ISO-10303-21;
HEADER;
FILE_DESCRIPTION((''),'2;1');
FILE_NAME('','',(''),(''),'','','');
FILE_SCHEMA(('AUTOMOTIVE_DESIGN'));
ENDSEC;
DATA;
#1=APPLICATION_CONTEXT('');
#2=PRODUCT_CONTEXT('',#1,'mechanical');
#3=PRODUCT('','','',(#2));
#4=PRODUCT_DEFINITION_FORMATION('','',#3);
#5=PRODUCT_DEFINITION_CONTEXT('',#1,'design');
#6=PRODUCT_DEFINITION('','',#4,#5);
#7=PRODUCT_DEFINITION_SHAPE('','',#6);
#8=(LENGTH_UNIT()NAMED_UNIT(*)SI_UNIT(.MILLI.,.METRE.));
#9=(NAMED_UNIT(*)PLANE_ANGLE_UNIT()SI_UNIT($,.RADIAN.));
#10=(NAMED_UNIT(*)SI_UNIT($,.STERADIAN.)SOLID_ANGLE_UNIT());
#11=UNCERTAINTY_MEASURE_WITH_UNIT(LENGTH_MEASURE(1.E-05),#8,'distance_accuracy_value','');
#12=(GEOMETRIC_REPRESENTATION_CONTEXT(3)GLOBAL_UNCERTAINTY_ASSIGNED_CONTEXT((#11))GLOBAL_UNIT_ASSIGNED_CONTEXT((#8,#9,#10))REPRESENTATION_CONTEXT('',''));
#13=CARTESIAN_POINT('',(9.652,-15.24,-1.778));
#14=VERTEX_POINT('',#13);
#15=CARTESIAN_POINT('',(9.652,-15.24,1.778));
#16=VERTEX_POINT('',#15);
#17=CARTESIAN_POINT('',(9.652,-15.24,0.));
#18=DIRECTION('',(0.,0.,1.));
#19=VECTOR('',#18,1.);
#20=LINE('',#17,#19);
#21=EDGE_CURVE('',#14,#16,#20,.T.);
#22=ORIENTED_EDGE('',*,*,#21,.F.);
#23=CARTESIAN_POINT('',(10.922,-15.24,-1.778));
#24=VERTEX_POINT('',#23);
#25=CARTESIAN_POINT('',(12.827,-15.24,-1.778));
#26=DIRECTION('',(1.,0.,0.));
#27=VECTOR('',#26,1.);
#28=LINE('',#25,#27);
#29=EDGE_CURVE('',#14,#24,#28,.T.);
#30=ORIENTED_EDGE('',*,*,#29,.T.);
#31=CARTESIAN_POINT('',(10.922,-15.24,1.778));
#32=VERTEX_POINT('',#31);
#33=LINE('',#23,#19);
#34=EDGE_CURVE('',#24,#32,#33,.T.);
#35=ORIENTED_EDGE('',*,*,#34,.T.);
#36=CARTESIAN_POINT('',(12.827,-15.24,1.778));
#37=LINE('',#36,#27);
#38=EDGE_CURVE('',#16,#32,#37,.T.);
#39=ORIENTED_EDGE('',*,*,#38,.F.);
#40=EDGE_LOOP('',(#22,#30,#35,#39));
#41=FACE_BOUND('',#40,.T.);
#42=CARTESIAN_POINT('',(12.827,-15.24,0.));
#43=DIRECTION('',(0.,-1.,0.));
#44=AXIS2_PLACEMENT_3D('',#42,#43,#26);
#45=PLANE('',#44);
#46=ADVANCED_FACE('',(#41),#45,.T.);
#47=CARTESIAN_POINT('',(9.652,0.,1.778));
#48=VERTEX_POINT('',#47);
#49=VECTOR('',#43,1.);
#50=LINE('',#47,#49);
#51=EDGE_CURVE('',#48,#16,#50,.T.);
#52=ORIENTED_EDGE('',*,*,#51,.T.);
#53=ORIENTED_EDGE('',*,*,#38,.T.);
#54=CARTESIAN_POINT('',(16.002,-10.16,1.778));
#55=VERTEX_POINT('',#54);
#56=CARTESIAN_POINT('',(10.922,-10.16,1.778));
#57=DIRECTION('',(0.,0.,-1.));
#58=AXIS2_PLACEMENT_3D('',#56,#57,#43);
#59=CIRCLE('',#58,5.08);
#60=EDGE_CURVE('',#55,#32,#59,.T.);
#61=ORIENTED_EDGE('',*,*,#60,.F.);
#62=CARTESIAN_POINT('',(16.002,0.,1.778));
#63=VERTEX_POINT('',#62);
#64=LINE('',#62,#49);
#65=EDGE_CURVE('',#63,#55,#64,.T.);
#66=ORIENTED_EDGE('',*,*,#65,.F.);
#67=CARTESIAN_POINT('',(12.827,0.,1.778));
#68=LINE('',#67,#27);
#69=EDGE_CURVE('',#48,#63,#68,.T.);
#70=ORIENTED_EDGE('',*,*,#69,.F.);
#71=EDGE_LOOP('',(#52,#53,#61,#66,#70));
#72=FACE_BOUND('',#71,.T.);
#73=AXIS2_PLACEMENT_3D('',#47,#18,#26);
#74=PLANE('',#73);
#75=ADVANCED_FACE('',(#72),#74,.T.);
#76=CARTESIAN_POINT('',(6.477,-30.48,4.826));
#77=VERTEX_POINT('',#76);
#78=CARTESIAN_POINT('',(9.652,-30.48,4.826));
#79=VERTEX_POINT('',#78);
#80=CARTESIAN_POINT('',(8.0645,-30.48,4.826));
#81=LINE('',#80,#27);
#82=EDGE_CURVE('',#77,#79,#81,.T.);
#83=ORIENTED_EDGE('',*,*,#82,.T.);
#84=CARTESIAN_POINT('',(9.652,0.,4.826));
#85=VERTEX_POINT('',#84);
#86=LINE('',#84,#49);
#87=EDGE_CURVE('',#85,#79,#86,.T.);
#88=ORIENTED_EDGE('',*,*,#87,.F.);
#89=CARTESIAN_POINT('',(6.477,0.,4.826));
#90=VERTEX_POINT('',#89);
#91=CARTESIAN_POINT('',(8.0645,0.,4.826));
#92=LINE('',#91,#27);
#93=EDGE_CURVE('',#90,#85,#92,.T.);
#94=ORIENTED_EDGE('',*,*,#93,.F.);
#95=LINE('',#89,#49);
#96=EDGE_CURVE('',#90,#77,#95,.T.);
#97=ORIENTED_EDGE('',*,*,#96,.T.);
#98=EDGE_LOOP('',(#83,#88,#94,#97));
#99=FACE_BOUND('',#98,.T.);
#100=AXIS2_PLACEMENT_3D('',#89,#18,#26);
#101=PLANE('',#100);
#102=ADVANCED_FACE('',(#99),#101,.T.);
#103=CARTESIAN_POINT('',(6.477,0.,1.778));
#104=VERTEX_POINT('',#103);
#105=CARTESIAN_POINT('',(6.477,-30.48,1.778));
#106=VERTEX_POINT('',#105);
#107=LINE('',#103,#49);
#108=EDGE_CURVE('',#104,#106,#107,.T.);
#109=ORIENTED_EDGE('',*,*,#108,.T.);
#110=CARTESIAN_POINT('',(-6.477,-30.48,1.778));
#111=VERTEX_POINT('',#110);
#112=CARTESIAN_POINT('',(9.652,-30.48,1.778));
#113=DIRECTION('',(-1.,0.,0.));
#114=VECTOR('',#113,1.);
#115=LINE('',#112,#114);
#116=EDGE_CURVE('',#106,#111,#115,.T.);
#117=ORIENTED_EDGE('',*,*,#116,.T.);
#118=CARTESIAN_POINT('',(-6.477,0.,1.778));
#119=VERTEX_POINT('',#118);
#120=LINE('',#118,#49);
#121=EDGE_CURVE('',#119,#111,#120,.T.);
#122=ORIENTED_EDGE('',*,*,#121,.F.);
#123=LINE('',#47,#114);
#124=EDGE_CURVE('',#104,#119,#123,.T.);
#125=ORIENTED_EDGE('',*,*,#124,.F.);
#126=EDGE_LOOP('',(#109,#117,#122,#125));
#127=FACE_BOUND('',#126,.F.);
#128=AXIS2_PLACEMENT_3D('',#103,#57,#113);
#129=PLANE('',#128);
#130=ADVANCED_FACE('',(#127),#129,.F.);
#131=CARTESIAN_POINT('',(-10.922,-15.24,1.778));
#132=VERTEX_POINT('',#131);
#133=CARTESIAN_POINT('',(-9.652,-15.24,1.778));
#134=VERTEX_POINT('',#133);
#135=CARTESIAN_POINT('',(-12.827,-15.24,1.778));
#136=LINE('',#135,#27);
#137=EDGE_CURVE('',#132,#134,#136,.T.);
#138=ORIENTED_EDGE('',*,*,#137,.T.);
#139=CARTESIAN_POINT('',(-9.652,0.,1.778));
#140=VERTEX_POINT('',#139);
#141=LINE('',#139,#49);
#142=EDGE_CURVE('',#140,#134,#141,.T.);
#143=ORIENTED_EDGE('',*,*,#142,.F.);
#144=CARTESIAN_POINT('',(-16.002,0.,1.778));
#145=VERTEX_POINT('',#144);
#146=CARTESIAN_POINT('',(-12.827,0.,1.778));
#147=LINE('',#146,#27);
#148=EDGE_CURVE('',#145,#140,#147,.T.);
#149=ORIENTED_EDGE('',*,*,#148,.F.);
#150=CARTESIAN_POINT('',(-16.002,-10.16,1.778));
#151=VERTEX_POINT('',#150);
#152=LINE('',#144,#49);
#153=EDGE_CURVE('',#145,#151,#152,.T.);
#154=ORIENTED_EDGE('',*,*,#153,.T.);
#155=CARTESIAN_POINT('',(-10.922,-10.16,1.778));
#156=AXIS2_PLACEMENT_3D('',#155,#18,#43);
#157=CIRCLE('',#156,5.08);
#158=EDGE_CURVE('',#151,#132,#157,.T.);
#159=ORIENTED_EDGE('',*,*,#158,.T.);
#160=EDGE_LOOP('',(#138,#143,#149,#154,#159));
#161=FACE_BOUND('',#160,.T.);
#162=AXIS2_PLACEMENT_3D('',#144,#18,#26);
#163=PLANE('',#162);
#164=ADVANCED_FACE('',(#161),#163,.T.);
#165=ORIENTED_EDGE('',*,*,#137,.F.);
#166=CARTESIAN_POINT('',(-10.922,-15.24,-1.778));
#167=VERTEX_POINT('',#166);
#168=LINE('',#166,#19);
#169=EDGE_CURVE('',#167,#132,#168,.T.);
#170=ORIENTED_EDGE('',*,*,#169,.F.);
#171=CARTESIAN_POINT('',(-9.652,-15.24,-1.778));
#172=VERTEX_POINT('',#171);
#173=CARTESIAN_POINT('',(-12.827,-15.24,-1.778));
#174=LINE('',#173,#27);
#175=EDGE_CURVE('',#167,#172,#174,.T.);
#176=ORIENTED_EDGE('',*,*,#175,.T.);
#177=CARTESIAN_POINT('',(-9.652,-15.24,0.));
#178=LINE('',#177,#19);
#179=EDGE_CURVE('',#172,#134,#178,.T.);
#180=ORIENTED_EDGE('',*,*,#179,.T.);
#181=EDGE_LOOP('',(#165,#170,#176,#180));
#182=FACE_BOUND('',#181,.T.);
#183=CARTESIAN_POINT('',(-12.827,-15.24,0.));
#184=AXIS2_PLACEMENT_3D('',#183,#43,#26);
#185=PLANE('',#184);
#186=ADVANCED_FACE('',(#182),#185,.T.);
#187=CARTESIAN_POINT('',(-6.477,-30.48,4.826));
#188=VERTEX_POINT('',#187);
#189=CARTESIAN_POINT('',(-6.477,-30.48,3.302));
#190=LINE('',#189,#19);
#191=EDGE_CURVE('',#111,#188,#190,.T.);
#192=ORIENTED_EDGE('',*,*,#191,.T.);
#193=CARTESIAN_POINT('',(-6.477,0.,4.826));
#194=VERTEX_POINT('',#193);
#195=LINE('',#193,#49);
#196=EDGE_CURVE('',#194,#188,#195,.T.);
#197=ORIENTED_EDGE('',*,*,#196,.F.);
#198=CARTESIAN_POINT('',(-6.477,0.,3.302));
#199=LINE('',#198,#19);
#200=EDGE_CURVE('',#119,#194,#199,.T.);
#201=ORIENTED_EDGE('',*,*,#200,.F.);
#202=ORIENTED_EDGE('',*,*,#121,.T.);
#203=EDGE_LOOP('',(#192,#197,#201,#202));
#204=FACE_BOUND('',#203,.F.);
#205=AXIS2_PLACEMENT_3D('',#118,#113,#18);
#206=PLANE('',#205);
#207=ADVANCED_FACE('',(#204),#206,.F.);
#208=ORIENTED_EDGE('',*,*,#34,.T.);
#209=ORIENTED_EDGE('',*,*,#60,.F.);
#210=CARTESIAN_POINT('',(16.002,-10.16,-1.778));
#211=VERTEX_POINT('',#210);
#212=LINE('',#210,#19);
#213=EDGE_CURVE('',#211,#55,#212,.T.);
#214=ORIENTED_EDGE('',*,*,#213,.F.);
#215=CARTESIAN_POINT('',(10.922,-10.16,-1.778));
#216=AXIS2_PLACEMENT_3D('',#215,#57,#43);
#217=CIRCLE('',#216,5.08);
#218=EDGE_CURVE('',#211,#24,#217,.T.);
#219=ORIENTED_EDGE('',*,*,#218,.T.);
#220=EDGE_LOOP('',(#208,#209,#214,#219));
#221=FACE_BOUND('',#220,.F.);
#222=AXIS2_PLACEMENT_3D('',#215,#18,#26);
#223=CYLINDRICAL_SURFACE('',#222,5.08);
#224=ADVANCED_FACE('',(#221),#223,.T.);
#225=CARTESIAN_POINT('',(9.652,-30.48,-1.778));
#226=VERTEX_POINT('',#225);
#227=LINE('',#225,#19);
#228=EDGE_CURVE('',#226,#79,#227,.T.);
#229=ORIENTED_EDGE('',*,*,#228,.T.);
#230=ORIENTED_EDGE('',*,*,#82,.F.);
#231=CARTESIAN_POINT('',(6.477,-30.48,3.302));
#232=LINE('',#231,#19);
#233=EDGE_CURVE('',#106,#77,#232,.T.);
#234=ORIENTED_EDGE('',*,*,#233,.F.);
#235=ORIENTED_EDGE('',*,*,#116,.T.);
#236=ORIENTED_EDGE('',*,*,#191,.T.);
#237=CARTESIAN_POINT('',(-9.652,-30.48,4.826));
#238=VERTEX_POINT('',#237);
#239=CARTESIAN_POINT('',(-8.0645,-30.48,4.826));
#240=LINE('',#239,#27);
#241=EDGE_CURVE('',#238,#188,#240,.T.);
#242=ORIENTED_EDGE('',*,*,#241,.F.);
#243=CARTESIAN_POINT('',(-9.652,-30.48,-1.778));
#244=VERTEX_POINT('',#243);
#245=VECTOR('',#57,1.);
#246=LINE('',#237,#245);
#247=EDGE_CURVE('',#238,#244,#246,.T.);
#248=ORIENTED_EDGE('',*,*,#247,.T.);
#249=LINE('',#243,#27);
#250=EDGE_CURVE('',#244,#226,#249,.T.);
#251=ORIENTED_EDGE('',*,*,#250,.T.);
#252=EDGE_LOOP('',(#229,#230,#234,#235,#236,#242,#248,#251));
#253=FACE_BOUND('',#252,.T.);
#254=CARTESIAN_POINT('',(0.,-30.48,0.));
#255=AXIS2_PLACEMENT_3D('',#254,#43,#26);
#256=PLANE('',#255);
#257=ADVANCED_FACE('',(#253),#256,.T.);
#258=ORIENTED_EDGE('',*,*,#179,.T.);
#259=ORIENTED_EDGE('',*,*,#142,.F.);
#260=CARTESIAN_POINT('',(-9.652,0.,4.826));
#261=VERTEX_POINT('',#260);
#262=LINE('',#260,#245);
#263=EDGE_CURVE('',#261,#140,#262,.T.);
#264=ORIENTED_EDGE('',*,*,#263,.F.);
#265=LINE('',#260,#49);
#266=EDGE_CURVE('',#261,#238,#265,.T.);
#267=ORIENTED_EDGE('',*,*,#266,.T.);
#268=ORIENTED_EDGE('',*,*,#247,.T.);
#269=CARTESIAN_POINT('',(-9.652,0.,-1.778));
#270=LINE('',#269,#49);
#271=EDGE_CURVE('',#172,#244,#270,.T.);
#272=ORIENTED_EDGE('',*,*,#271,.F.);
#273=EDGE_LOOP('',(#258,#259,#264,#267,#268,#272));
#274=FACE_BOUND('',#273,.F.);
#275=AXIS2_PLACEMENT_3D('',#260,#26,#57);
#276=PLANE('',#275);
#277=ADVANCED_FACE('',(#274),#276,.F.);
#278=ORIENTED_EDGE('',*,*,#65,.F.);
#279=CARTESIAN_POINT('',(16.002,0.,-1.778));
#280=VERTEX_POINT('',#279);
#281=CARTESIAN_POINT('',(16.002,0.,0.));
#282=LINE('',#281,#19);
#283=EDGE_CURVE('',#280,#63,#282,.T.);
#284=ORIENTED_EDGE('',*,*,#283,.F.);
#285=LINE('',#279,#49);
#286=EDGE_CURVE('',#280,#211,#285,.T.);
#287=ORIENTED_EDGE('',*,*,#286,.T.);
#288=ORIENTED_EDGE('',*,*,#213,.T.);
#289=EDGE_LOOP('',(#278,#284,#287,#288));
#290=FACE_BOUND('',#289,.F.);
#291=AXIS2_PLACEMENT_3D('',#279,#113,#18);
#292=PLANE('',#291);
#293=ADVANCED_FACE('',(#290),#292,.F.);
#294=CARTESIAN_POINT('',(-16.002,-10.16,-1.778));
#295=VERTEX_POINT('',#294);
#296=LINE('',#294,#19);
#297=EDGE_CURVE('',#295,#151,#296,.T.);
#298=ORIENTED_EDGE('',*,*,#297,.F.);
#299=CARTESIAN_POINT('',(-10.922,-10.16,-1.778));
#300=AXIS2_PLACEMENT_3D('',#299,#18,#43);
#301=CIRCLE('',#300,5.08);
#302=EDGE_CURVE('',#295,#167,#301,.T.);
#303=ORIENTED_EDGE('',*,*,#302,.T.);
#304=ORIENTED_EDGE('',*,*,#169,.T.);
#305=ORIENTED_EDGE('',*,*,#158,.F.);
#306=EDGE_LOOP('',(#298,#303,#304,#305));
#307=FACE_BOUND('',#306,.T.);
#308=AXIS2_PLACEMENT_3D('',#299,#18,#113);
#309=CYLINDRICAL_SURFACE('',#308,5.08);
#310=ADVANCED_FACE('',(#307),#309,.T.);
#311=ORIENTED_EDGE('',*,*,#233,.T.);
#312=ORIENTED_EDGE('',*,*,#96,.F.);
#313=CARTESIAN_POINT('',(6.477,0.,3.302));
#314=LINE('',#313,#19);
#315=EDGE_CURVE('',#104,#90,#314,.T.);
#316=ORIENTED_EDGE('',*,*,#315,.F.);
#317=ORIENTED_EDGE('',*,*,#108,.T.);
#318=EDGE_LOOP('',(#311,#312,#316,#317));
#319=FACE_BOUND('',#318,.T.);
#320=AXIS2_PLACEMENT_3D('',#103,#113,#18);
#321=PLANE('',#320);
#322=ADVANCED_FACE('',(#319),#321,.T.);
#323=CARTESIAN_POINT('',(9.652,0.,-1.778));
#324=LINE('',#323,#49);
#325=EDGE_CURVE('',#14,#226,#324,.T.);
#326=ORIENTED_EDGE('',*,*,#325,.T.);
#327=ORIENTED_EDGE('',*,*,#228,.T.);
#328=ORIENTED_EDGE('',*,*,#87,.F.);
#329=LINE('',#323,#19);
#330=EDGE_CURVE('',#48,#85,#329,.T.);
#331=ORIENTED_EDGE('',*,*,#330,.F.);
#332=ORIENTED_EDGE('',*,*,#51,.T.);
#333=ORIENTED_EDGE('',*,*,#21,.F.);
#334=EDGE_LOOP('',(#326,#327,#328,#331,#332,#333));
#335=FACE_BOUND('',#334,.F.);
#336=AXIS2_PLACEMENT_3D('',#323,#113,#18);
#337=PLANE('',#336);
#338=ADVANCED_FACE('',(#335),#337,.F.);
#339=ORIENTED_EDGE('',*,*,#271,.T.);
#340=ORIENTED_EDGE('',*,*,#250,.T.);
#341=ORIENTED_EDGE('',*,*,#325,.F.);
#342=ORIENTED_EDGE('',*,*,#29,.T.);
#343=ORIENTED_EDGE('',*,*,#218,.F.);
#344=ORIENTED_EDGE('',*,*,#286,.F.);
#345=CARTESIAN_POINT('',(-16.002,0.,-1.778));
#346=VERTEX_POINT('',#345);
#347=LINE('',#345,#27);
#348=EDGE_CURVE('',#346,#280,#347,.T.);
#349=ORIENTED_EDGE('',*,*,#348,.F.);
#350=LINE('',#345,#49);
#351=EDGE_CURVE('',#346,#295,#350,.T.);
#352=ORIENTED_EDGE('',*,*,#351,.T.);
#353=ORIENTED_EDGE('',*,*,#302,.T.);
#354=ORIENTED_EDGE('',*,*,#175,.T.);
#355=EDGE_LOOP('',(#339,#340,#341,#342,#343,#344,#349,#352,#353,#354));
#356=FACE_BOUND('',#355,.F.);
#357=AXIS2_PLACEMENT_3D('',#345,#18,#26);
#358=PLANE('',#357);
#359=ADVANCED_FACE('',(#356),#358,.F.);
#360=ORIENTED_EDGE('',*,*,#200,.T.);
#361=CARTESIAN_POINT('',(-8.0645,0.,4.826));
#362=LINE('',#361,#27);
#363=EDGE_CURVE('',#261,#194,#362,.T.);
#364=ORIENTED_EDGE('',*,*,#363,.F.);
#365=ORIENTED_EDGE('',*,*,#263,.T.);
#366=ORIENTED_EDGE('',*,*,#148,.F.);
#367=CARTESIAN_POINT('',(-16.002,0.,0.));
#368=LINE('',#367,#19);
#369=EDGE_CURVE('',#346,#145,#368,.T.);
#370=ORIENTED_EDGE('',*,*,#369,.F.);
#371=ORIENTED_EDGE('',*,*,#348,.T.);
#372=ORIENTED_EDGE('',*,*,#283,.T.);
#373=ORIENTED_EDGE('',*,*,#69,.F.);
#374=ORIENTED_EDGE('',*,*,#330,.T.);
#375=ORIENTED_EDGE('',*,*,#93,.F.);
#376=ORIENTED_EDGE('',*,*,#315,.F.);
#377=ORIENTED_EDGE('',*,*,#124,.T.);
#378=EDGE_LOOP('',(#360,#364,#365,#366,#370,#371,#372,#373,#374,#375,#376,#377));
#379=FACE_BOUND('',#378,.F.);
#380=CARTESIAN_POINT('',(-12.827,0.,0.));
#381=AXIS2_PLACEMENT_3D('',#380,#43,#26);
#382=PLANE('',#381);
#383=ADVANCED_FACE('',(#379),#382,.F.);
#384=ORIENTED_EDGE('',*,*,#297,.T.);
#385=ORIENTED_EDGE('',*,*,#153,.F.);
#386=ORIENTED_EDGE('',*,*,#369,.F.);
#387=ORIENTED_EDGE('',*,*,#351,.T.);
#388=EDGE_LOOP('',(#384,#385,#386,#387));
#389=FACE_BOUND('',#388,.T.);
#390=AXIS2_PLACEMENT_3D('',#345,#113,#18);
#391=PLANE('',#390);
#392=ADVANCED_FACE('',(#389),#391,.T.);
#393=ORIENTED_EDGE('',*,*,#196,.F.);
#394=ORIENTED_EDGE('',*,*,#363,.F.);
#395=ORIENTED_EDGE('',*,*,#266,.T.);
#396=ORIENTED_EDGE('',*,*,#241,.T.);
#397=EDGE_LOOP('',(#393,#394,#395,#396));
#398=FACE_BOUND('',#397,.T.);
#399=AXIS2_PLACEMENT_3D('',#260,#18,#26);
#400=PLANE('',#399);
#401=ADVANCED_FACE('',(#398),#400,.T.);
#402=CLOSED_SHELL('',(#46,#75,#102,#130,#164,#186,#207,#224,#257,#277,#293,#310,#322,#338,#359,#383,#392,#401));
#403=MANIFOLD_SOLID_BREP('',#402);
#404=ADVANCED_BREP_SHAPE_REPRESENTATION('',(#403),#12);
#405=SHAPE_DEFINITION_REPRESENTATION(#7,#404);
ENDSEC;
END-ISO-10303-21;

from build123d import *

# Parameters (mm, degrees)
F0_W     = 3.175
F0_H     = 3.048
F1_DEPTH = 30.48
F0_W_2   = 6.35
F0_H_2   = 3.556
F2_DEPTH = 15.24
F3_DEPTH = 15.24
F4_R     = 5.08


with BuildPart() as f1:
    # F0 (on Front) → F1 (new body)
    with BuildSketch(Plane.XZ):
        Polygon((9.652, -1.778), (9.652, 1.778), (6.477, 1.778), (-6.477, 1.778), (-9.652, 1.778), (-9.652, -1.778), align=None)
        with Locations((8.0645, 3.302)):
            Rectangle(F0_W, F0_H)
        with Locations((-8.0645, 3.302)):
            Rectangle(F0_W, F0_H)
    extrude(amount=F1_DEPTH)

    # F0 (on Front) → F2 (join)
    with BuildSketch(Plane.XZ):
        with Locations((12.827, 0)):
            Rectangle(F0_W_2, F0_H_2)
    extrude(amount=F2_DEPTH)

    # F0 (on Front) → F3 (join)
    with BuildSketch(Plane.XZ):
        with Locations((-12.827, 0)):
            Rectangle(F0_W_2, F0_H_2)
    extrude(amount=F3_DEPTH)

    # F4
    f4_edges = [f1.edges().sort_by_distance(p)[0] for p in [
        (-16.002, -15.24, 0),
        (16.002, -15.24, 0),
    ]]
    fillet(f4_edges, radius=F4_R)


solid = f1.part
